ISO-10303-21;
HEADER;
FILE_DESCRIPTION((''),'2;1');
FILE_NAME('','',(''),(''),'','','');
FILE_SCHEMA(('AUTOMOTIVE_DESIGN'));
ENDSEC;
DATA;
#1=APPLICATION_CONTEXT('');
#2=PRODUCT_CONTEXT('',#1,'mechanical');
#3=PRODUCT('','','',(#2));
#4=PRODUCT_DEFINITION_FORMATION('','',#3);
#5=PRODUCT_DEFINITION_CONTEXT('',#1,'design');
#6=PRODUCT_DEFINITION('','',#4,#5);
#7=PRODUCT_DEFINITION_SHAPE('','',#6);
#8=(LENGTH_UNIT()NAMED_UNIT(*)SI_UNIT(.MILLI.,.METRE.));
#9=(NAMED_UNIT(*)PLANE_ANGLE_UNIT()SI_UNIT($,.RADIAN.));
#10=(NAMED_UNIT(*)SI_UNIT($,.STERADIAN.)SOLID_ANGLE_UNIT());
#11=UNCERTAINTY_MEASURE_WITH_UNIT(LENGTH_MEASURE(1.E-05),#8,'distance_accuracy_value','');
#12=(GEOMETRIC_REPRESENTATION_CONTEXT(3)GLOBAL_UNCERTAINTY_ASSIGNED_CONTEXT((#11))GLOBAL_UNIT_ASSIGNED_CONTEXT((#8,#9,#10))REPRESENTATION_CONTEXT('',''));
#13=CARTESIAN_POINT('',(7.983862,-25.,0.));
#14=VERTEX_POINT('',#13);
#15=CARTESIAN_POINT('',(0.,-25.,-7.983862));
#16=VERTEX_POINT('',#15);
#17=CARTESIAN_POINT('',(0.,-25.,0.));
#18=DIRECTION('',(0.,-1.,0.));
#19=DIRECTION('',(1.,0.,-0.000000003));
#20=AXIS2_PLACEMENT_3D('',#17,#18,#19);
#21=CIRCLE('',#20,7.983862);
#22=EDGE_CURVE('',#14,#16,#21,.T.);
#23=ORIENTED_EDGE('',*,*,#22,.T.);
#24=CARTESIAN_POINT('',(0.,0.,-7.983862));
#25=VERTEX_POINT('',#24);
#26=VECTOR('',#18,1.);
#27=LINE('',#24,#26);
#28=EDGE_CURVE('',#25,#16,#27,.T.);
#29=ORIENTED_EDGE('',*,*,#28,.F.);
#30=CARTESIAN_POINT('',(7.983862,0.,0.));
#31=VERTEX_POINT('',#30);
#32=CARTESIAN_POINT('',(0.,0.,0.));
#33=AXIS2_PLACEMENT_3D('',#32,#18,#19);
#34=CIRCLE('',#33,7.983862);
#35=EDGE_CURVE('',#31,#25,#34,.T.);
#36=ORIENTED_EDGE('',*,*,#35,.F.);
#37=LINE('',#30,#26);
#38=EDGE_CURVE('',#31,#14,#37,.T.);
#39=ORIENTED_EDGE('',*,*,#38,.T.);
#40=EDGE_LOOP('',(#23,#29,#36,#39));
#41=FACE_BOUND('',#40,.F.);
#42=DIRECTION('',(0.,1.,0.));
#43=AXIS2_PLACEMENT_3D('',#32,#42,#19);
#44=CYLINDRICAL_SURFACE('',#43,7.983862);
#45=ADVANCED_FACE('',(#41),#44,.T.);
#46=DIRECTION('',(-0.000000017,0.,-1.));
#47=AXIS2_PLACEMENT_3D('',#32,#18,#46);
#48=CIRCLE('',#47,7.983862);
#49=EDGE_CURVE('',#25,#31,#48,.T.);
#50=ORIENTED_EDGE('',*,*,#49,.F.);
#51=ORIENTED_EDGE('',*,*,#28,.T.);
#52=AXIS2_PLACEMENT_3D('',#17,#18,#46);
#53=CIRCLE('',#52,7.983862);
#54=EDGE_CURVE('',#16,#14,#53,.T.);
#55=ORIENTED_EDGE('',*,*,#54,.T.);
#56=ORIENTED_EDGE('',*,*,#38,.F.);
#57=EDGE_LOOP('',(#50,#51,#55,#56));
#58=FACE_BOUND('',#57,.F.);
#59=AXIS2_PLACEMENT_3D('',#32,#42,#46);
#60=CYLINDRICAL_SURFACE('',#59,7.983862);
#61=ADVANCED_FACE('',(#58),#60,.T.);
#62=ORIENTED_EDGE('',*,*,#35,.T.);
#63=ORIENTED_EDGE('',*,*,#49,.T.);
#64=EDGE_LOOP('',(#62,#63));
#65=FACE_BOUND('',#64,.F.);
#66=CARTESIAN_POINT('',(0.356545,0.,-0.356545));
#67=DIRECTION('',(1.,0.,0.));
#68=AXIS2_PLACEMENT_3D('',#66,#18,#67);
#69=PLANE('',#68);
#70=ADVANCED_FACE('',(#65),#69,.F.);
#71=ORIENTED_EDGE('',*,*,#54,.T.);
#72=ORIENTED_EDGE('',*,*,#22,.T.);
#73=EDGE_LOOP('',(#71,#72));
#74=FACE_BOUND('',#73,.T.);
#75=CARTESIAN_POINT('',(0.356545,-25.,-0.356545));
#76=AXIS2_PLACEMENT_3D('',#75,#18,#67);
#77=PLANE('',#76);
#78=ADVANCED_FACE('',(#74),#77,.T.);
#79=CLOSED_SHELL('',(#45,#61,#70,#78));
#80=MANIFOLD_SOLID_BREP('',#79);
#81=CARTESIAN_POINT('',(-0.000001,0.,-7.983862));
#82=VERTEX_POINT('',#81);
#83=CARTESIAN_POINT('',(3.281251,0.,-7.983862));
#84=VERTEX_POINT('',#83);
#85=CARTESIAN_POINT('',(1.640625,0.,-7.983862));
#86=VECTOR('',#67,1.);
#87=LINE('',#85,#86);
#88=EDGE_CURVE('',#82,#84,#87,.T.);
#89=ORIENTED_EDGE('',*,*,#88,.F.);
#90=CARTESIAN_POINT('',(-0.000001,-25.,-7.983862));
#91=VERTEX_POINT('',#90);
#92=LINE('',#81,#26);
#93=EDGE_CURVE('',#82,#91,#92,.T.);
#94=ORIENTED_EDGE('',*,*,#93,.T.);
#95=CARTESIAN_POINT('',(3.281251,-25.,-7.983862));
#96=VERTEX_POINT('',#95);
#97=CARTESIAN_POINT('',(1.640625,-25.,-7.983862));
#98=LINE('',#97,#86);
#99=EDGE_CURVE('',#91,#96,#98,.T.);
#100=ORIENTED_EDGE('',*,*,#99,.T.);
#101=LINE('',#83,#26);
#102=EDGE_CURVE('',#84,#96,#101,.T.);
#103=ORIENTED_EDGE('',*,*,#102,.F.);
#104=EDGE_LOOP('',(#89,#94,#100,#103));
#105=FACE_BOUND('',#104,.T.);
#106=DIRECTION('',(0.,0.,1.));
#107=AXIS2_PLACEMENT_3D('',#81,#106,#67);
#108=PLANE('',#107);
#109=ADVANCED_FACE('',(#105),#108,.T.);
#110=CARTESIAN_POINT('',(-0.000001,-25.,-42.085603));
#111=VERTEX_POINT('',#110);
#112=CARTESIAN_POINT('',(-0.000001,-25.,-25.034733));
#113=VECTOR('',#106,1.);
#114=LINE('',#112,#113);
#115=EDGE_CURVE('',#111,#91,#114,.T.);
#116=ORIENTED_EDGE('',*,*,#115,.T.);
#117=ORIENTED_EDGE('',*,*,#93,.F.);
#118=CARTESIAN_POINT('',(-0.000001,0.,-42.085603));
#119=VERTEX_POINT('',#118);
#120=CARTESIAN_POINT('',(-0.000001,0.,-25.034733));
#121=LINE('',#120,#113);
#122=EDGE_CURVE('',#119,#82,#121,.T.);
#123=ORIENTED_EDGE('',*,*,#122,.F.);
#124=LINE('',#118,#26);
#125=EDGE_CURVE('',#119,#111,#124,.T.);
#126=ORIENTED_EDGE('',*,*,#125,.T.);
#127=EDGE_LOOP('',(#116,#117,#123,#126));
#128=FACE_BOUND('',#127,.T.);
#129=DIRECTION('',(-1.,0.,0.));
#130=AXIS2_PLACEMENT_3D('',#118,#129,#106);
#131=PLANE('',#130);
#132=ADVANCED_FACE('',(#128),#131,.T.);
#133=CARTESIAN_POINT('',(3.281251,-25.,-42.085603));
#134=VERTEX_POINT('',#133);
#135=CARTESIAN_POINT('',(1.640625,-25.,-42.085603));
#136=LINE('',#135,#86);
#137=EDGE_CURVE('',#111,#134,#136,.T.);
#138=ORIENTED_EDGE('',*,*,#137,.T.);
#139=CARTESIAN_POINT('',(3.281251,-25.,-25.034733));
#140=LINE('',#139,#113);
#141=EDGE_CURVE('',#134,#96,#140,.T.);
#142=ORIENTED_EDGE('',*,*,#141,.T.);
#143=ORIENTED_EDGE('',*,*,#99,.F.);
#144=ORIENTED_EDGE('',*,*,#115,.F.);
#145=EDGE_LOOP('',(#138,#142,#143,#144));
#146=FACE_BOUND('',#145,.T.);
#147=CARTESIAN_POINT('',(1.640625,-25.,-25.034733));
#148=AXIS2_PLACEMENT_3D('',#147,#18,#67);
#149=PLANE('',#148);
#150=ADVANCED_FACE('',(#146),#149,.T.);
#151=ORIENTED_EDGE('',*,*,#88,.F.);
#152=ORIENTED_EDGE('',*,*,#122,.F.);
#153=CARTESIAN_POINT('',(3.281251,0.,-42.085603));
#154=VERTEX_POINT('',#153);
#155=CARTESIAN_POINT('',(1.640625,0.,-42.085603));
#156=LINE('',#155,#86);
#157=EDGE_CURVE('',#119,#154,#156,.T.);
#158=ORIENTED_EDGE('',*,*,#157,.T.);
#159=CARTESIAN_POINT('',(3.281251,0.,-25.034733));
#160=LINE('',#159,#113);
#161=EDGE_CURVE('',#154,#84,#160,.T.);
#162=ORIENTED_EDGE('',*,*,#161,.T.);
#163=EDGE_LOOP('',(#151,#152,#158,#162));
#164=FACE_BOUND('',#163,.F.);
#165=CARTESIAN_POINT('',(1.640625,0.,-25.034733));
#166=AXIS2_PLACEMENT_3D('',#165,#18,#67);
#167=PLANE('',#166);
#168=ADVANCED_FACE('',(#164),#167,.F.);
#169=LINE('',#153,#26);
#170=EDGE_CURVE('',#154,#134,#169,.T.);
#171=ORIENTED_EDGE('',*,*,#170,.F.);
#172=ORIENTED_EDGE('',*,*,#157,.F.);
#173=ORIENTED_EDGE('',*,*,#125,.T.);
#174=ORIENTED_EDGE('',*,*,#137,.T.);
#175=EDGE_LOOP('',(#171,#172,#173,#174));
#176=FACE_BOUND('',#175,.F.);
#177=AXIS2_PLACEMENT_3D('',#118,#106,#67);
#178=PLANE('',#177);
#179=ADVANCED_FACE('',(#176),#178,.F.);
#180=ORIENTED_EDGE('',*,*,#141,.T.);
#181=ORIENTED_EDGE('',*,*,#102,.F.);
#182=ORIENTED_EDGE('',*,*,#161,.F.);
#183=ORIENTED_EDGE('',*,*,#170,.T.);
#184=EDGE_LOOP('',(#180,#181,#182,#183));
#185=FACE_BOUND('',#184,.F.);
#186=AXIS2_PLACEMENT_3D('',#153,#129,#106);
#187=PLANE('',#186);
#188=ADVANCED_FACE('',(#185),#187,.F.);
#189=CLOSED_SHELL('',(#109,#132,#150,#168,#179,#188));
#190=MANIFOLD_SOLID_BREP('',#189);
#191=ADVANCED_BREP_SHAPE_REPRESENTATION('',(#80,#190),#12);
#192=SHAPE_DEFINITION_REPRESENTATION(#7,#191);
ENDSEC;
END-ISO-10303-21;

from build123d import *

# Parameters (mm, degrees)
F0_W     = 3.281251
F0_H     = 34.101741
F1_DEPTH = 25


with BuildPart() as f1:
    # F0 (on Front) → F1 (new body)
    with BuildSketch(Plane.XZ):
        with BuildLine():
            ThreePointArc((0, -7.983862), (5.645443, -5.645443), (7.983862, 0))
            ThreePointArc((7.983862, 0), (-5.645443, 5.645443), (0, -7.983862))
        make_face()
        with Locations((1.640625, -25.034733)):
            Rectangle(F0_W, F0_H)
    extrude(amount=F1_DEPTH)


solid = f1.part
